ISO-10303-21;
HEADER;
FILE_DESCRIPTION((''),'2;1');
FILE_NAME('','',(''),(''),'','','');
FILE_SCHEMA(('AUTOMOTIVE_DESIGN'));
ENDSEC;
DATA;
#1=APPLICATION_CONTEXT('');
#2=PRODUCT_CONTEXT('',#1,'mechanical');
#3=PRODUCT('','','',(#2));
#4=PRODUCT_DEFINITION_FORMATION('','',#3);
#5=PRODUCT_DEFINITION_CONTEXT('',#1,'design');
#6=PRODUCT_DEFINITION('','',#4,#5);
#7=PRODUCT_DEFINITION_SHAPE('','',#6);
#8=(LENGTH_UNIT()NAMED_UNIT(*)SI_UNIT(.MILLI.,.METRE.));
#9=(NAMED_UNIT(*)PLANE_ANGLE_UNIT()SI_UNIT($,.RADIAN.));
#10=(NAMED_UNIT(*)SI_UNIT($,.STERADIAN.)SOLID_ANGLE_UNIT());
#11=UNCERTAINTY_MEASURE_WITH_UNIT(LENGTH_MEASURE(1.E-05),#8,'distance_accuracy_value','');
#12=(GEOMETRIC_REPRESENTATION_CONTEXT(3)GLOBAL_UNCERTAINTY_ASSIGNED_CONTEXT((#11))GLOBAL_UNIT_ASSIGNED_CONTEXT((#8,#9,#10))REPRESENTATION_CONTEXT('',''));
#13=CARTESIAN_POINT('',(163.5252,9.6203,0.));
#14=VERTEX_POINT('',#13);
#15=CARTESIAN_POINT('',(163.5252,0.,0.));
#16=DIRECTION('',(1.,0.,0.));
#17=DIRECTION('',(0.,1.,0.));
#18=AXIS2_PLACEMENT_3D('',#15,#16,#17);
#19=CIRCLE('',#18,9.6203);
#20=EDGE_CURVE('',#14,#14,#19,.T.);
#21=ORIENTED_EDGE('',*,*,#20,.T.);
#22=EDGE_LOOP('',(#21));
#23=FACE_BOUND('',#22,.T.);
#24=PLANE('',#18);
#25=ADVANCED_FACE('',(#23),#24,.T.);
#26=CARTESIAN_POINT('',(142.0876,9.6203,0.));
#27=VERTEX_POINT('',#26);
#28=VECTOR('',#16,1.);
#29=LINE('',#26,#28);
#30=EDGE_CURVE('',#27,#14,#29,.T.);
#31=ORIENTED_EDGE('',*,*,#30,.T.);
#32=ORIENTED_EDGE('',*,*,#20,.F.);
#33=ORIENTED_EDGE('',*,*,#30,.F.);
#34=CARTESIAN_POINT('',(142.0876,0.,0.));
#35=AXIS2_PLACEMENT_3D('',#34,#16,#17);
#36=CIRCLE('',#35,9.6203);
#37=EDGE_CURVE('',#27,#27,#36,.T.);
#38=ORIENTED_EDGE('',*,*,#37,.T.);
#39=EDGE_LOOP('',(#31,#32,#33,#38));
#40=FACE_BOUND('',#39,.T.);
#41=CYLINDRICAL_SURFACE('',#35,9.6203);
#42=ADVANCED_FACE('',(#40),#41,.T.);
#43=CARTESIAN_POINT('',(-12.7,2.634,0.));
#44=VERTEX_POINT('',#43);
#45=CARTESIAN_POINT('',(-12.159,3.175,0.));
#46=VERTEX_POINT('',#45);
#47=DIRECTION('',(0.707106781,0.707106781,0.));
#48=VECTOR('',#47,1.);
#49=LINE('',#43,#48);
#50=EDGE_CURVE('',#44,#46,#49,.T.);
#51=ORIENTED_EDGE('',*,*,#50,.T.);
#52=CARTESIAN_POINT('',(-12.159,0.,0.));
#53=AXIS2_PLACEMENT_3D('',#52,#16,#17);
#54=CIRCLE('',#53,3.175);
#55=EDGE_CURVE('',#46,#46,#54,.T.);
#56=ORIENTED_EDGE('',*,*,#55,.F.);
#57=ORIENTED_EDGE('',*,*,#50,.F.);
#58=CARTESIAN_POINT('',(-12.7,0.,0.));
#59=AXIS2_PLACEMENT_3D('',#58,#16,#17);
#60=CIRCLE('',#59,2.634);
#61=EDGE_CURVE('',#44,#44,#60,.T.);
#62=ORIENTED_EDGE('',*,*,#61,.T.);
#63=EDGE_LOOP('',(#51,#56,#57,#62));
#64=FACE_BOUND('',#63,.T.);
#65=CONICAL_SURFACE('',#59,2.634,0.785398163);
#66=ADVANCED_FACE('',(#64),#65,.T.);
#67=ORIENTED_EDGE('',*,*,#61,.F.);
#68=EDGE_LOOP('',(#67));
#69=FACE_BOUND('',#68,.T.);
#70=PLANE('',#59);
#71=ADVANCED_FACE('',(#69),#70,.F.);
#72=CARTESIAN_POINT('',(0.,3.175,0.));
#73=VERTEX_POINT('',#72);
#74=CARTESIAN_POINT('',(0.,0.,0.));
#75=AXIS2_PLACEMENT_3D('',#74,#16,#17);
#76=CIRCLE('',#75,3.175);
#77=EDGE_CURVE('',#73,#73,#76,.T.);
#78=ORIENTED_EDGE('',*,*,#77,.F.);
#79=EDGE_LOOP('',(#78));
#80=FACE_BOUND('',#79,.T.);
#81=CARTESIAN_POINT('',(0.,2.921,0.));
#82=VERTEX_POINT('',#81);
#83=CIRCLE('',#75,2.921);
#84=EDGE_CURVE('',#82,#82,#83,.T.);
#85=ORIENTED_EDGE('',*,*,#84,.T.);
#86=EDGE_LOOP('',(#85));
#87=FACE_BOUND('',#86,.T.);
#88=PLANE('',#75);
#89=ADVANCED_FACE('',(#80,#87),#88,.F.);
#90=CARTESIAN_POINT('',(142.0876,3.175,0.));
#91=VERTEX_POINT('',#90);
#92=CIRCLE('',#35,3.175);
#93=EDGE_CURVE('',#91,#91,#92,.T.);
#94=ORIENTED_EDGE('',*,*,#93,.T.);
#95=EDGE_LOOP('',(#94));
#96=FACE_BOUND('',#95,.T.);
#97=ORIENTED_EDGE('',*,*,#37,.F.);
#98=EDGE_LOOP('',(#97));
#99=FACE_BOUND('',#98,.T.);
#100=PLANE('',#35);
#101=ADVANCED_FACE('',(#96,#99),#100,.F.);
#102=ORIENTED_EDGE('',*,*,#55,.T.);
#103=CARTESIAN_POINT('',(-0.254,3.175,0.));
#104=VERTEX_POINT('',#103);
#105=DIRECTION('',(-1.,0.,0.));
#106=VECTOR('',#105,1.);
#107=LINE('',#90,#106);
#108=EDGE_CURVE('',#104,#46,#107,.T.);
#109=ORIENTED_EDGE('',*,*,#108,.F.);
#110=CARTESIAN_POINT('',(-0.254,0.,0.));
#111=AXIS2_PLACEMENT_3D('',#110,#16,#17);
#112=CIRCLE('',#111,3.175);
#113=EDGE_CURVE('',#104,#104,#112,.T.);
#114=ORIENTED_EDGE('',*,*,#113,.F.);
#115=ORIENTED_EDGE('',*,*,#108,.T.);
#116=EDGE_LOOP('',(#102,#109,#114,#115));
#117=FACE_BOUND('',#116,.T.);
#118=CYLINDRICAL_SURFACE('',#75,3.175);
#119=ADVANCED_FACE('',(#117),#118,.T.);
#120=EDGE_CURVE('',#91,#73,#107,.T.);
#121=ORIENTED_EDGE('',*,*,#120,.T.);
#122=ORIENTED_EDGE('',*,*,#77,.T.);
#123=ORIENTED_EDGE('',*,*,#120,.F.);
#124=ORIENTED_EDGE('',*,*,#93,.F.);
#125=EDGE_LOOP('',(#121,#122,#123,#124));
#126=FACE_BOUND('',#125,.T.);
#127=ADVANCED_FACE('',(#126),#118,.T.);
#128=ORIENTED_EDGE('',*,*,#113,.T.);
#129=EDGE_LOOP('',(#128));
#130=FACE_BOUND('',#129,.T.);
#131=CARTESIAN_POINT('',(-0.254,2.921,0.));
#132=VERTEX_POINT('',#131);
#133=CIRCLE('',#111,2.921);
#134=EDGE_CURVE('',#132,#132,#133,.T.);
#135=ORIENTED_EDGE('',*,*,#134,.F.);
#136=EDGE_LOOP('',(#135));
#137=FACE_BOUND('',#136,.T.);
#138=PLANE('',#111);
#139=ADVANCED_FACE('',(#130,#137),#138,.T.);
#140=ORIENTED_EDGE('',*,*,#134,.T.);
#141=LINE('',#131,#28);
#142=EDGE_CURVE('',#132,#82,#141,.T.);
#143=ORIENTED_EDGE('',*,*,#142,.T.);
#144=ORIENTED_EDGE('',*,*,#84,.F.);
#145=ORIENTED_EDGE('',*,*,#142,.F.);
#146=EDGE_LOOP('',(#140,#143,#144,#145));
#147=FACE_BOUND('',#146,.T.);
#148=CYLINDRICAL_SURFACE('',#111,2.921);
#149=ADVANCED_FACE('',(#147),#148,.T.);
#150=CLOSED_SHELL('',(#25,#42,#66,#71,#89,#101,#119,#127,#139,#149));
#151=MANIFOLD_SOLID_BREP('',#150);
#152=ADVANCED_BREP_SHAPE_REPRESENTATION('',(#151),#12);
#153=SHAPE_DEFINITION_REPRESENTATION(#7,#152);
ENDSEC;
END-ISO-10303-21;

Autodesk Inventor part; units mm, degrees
sketch "Sketch_1" plane through (0, 0, 0) normal (0, 0, 1) x (1, 0, 0)
  line L0 (163.5252, 0) -> (0, 0)
  line L1 (0, 0) -> (0, 3.175)
  line L2 (0, 3.175) -> (142.0876, 3.175)
  line L3 (142.0876, 3.175) -> (142.0876, 9.6203)
  line L4 (142.0876, 9.6203) -> (163.5252, 9.6203)
  line L5 (163.5252, 9.6203) -> (163.5252, 0)
  line L6 (163.5252, 0) -> (0, 0)
revolve "Revolution1" add sketch "Sketch_1" angle 360 about axis through (163.5252, 0, 0) along (1, 0, 0)
sketch "Sketch_3" plane through (0, 0, 0) normal (0, 0, 1) x (1, 0, 0)
  line L0 (0, 0) -> (-12.7, 0)
  line L1 (-12.7, 0) -> (-12.7, 2.634)
  line L2 (-12.7, 2.634) -> (-12.159, 3.175)
  line L3 (-12.159, 3.175) -> (0, 3.175)
  line L4 (0, 3.175) -> (0, 0)
  line L5 (0, 0) -> (-12.7, 0)
revolve "Revolution2" add sketch "Sketch_3" angle 360 about axis through (0, 0, 0) along (1, 0, 0)
thread "Thread1" size "1/4-28 UNF" class "3A" standard "ANSI Unified Screw Threads" length 12.7 offset 142.0876
sketch "Sketch_30" plane through (0, 0, 0) normal (0, 0, 1) x (1, 0, 0)
  line L0 (0, 0) -> (-0.254, 0)
  line L1 (-0.254, 3.429) -> (-0.254, 2.921)
  line L2 (-0.254, 2.921) -> (0, 2.921)
  line L3 (0, 2.921) -> (0, 3.429)
  line L4 (0, 3.429) -> (-0.254, 3.429)
revolve "Revolution3" cut sketch "Sketch_30" angle 360 about axis through (0, 0, 0) along (1, 0, 0)
ref_plane "rod_cp_XY" through (0, 0, 0) normal (1, 0, 0) x (0, 0, -1)
ref_plane "rod_cp_YZ" through (0, 0, 0) normal (0, 0, -1) x (0, 1, 0)
ref_plane "rod_cp_ZX" through (0, 0, 0) normal (0, 1, 0) x (1, 0, 0)
ref_plane "to_rod_clevis_XY" through (-12.7, 0, 0) normal (1, 0, 0) x (0, 0, -1)
ref_plane "to_rod_clevis_YZ" through (-12.7, 0, 0) normal (0, 0, -1) x (0, 1, 0)
ref_plane "to_rod_clevis_ZX" through (-12.7, 0, 0) normal (0, 1, 0) x (1, 0, 0)
ref_plane "rl2_XY" through (0, 0, 0) normal (1, 0, 0) x (0, 0, -1)
ref_plane "rl2_YZ" through (0, 0, 0) normal (0, 0, -1) x (0, 1, 0)
ref_plane "rl2_ZX" through (0, 0, 0) normal (0, 1, 0) x (1, 0, 0)
ref_plane "rl1_XY" through (-12.7, 0, 0) normal (1, 0, 0) x (0, 0, -1)
ref_plane "rl1_YZ" through (-12.7, 0, 0) normal (0, 0, -1) x (0, 1, 0)
ref_plane "rl1_ZX" through (-12.7, 0, 0) normal (0, 1, 0) x (1, 0, 0)
ref_plane "thd1_XY" through (-12.7, 3.175, 0) normal (1, 0, 0) x (0, 0, -1)
ref_plane "thd1_YZ" through (-12.7, 3.175, 0) normal (0, 0, -1) x (0, 1, 0)
ref_plane "thd1_ZX" through (-12.7, 3.175, 0) normal (0, 1, 0) x (1, 0, 0)
ref_plane "thd2_XY" through (-12.7, -3.175, 0) normal (1, 0, 0) x (0, 0, -1)
ref_plane "thd2_YZ" through (-12.7, -3.175, 0) normal (0, 0, -1) x (0, 1, 0)
ref_plane "thd2_ZX" through (-12.7, -3.175, 0) normal (0, 1, 0) x (1, 0, 0)
ref_plane "dia1_XY" through (0, 3.175, 0) normal (1, 0, 0) x (0, 0, -1)
ref_plane "dia1_YZ" through (0, 3.175, 0) normal (0, 0, -1) x (0, 1, 0)
ref_plane "dia1_ZX" through (0, 3.175, 0) normal (0, 1, 0) x (1, 0, 0)
ref_plane "dia2_XY" through (0, -3.175, 0) normal (1, 0, 0) x (0, 0, -1)
ref_plane "dia2_YZ" through (0, -3.175, 0) normal (0, 0, -1) x (0, 1, 0)
ref_plane "dia2_ZX" through (0, -3.175, 0) normal (0, 1, 0) x (1, 0, 0)
ref_plane "hh1_XY" through (193.6496, 0, 0) normal (0, 0, 1) x (1, 0, 0)
ref_plane "hh1_YZ" through (193.6496, 0, 0) normal (1, 0, 0) x (0, 1, 0)
ref_plane "hh1_ZX" through (193.6496, 0, 0) normal (0, 1, 0) x (0, 0, 1)
ref_plane "hh2_XY" through (200.0504, 0, 0) normal (0, 0, 1) x (1, 0, 0)
ref_plane "hh2_YZ" through (200.0504, 0, 0) normal (1, 0, 0) x (0, 1, 0)
ref_plane "hh2_ZX" through (200.0504, 0, 0) normal (0, 1, 0) x (0, 0, 1)
ref_plane "dia12_XY" through (0, 0, 10.9537) normal (1, 0, 0) x (0, 0, -1)
ref_plane "dia12_YZ" through (0, 0, 10.9537) normal (0, 0, -1) x (0, 1, 0)
ref_plane "dia12_ZX" through (0, 0, 10.9537) normal (0, 1, 0) x (1, 0, 0)
ref_plane "dia22_XY" through (0, 0, -10.9537) normal (1, 0, 0) x (0, 0, -1)
ref_plane "dia22_YZ" through (0, 0, -10.9537) normal (0, 0, -1) x (0, 1, 0)
ref_plane "dia22_ZX" through (0, 0, -10.9537) normal (0, 1, 0) x (1, 0, 0)
properties part number "044-DXP0_rod"
